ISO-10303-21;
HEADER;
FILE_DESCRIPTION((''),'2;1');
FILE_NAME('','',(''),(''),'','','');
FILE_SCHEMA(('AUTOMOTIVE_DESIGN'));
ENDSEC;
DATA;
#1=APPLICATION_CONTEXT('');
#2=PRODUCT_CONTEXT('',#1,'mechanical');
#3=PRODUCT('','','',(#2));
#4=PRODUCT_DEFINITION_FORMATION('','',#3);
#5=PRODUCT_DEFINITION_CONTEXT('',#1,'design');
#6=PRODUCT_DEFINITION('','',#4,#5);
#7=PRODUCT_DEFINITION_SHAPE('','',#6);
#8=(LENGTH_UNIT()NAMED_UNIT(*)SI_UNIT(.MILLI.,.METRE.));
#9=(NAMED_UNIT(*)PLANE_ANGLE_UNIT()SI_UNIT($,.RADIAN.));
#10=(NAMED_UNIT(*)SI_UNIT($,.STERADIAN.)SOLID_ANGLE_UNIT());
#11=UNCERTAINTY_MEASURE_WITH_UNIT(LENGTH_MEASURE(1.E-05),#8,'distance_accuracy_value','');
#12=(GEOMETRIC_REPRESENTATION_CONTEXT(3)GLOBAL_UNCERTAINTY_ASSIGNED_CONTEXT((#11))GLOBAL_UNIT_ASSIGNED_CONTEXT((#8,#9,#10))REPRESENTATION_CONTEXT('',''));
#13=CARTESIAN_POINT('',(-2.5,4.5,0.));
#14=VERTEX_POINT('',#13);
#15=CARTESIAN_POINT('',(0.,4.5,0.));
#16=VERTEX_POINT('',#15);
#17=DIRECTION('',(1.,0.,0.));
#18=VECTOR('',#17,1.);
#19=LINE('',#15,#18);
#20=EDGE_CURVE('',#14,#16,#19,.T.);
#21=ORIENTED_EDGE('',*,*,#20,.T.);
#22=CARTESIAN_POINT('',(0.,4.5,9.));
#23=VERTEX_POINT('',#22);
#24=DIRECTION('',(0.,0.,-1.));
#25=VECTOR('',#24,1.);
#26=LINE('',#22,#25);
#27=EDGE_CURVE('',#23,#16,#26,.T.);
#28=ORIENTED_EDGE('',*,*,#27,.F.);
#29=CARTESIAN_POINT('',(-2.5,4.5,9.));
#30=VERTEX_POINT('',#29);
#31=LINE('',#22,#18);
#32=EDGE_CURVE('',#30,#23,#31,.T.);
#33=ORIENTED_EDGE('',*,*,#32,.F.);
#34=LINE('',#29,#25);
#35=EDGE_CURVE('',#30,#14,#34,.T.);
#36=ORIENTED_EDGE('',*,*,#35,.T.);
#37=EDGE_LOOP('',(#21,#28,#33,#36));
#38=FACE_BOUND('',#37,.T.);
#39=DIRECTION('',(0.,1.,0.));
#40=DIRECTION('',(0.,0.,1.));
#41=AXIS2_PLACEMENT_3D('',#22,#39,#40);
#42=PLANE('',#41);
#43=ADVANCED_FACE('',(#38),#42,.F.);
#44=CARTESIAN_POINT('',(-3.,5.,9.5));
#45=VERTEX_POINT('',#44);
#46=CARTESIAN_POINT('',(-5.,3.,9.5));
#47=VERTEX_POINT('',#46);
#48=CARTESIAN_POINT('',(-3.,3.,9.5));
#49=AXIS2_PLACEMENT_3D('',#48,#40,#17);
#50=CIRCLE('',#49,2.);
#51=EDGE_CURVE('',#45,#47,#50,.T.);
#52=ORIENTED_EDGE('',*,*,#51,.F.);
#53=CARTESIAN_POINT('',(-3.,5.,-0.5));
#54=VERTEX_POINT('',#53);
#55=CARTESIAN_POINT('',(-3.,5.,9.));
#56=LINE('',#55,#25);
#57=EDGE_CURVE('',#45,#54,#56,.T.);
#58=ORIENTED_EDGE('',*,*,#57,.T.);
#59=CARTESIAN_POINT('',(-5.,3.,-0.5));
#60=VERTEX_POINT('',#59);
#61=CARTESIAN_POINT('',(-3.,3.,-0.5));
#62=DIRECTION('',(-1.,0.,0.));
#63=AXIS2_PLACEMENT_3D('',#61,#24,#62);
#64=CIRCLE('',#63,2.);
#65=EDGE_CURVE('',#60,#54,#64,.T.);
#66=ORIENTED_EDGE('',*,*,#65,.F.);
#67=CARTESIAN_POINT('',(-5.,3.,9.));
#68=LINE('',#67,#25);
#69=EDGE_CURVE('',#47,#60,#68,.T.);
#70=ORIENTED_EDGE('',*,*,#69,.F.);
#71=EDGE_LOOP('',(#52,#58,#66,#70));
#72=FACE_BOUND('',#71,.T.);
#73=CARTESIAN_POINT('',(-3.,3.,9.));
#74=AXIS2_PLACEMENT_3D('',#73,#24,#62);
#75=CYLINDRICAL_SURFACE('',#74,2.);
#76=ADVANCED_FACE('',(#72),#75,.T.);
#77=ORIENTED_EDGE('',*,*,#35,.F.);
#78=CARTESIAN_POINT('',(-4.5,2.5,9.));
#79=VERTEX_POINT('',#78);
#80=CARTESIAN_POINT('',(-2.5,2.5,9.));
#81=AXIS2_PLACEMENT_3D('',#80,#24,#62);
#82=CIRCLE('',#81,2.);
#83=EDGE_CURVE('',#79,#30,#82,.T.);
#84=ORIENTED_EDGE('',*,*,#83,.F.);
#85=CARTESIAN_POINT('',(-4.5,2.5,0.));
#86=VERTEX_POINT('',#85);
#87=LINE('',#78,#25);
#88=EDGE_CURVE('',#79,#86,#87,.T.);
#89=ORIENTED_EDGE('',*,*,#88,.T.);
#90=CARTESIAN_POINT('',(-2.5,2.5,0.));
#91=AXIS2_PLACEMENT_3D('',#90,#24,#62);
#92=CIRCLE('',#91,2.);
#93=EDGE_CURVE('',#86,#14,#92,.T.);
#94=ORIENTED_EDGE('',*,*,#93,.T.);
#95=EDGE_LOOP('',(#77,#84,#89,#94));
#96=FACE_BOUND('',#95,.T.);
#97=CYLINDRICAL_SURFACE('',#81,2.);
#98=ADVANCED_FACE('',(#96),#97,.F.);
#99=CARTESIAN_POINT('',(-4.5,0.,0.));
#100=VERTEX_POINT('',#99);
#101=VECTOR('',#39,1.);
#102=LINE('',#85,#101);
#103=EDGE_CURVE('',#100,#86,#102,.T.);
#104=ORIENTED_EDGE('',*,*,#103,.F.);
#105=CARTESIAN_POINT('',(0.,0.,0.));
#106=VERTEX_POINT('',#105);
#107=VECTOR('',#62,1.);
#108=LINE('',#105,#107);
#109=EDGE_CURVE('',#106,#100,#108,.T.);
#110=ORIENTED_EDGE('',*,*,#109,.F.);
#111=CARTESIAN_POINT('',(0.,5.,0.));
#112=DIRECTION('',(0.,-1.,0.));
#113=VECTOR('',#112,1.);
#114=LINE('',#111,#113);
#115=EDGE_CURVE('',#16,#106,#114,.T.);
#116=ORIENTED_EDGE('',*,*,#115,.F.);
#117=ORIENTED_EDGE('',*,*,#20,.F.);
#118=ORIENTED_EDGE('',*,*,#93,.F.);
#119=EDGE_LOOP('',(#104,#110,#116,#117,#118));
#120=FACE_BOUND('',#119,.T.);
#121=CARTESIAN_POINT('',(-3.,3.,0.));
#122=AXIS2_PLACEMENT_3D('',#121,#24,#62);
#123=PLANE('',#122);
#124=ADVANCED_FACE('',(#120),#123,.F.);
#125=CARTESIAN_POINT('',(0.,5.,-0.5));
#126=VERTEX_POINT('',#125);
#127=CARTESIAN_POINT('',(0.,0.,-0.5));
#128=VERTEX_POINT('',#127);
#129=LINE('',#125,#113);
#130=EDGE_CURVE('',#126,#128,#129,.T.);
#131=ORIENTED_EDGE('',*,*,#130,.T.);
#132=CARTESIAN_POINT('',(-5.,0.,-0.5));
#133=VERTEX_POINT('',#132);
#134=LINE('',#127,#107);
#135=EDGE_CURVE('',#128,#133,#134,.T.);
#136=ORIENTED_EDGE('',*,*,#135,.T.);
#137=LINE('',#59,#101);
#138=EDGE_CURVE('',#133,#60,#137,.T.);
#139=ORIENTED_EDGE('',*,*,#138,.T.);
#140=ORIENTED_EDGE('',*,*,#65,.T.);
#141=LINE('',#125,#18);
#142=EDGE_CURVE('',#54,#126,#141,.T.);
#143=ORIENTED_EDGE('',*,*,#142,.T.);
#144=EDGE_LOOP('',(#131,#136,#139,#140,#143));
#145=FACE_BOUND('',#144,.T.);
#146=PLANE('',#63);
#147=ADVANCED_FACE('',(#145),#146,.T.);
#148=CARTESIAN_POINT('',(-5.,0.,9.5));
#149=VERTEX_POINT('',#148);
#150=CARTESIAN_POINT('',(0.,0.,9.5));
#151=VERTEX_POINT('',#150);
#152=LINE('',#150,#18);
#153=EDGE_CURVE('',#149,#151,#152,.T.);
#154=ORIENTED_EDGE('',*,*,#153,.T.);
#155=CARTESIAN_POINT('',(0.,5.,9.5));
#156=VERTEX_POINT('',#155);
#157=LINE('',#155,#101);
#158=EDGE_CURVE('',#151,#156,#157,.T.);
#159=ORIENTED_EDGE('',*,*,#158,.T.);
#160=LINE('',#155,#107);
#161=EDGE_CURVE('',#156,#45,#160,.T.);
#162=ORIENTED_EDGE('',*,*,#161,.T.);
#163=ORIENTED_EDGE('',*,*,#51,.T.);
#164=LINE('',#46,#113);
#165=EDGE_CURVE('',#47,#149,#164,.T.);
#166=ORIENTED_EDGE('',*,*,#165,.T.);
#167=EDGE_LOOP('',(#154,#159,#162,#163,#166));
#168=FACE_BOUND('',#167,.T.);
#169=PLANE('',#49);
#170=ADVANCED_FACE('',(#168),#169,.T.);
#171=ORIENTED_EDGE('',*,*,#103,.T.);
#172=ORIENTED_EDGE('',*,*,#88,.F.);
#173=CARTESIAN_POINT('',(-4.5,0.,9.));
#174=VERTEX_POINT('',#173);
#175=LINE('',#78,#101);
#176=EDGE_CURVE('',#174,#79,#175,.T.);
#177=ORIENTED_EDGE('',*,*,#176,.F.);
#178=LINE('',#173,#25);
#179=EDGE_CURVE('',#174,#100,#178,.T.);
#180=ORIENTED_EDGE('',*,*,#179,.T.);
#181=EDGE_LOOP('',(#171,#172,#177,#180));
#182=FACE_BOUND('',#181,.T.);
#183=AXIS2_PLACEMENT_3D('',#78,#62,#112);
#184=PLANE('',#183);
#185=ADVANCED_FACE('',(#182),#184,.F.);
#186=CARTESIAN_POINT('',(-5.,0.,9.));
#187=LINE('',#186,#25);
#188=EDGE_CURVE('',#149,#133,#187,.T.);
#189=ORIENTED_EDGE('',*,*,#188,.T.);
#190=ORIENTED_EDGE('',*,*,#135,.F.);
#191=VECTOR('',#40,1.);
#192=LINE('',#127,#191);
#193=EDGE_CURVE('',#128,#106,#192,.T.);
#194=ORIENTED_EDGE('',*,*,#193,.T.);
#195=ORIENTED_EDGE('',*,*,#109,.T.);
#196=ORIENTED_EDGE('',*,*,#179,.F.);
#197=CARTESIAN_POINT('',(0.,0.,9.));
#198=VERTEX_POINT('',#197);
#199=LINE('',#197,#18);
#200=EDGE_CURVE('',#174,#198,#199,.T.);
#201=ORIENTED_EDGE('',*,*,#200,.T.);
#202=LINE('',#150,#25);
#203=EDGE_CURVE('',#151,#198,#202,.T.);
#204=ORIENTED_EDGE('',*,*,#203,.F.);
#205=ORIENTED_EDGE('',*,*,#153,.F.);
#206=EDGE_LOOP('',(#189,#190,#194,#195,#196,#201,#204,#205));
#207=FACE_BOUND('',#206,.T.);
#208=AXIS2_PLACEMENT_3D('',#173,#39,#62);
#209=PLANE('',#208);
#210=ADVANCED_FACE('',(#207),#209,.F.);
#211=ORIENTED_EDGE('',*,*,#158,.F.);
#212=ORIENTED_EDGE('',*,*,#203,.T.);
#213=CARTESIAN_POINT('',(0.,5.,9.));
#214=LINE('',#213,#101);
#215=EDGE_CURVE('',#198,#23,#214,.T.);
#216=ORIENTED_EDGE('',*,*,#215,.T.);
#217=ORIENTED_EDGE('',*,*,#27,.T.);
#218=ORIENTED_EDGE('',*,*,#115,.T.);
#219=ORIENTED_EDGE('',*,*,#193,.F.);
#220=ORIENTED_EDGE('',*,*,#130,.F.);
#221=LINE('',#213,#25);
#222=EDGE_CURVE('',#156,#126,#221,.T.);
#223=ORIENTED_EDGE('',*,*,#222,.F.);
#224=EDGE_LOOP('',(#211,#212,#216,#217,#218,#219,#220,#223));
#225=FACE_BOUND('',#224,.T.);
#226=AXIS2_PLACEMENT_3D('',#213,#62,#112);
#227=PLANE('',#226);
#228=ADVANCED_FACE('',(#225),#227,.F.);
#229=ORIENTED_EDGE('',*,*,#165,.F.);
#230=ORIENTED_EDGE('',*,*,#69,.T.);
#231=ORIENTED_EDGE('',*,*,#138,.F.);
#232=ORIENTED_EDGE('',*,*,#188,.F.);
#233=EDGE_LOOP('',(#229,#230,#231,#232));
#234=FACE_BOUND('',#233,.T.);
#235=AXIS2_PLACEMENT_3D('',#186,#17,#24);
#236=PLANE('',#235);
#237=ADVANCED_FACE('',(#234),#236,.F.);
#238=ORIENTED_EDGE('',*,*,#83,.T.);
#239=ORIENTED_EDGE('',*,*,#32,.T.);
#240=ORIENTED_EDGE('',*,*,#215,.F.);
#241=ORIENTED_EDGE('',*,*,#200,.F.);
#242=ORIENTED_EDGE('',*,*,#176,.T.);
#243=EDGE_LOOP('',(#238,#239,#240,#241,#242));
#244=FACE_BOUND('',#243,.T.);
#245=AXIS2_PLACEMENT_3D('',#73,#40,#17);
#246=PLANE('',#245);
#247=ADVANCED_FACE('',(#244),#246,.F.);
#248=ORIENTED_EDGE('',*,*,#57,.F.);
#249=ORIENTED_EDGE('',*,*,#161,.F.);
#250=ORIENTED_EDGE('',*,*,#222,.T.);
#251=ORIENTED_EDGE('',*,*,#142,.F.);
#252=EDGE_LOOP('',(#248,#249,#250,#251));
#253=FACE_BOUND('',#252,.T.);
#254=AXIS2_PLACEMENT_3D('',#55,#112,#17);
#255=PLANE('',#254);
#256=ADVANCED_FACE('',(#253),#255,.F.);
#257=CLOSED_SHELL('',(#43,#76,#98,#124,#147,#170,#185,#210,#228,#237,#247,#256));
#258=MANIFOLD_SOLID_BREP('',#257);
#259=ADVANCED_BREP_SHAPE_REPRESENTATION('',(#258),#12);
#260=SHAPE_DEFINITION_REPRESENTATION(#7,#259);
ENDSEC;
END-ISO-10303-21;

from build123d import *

# Parameters (mm, degrees)
BOSS_EXTRU_1_DEPTH = 9
BOSS_EXTRU_2_DEPTH = 0.5
BOSS_EXTRU_3_DEPTH = 0.5


with BuildPart() as part:
    # Esquisse1 → Boss.-Extru.1 (new body)
    with BuildSketch(Plane.XY):
        with BuildLine():
            Line((-5, 0), (-5, 3))
            ThreePointArc((-5, 3), (-4.414213562, 4.414213562), (-3, 5))
            Line((-3, 5), (0, 5))
            Line((0, 5), (0, 4.5))
            Line((0, 4.5), (-2.5, 4.5))
            ThreePointArc((-2.5, 4.5), (-3.914213562, 3.914213562), (-4.5, 2.5))
            Line((-4.5, 2.5), (-4.5, 0))
            Line((-4.5, 0), (-5, 0))
        make_face()
    extrude(amount=BOSS_EXTRU_1_DEPTH)

    # Esquisse2 → Boss.-Extru.2 (add)
    with BuildSketch(Plane.XY.offset(9)):
        with BuildLine():
            Line((0, 5), (0, 0))
            Line((0, 0), (-5, 0))
            Line((-5, 0), (-5, 3))
            ThreePointArc((-5, 3), (-4.414213562, 4.414213562), (-3, 5))
            Line((-3, 5), (0, 5))
        make_face()
    extrude(amount=BOSS_EXTRU_2_DEPTH)

    # Esquisse3 → Boss.-Extru.3 (add)
    with BuildSketch(Plane(origin=(0, 0, 0), x_dir=(-1, 0, 0), z_dir=(0, 0, -1))):
        with BuildLine():
            Line((0, 5), (3, 5))
            ThreePointArc((3, 5), (4.414213562, 4.414213562), (5, 3))
            Line((5, 3), (5, 0))
            Line((5, 0), (0, 0))
            Line((0, 0), (0, 5))
        make_face()
    extrude(amount=BOSS_EXTRU_3_DEPTH)


solid = part.part
